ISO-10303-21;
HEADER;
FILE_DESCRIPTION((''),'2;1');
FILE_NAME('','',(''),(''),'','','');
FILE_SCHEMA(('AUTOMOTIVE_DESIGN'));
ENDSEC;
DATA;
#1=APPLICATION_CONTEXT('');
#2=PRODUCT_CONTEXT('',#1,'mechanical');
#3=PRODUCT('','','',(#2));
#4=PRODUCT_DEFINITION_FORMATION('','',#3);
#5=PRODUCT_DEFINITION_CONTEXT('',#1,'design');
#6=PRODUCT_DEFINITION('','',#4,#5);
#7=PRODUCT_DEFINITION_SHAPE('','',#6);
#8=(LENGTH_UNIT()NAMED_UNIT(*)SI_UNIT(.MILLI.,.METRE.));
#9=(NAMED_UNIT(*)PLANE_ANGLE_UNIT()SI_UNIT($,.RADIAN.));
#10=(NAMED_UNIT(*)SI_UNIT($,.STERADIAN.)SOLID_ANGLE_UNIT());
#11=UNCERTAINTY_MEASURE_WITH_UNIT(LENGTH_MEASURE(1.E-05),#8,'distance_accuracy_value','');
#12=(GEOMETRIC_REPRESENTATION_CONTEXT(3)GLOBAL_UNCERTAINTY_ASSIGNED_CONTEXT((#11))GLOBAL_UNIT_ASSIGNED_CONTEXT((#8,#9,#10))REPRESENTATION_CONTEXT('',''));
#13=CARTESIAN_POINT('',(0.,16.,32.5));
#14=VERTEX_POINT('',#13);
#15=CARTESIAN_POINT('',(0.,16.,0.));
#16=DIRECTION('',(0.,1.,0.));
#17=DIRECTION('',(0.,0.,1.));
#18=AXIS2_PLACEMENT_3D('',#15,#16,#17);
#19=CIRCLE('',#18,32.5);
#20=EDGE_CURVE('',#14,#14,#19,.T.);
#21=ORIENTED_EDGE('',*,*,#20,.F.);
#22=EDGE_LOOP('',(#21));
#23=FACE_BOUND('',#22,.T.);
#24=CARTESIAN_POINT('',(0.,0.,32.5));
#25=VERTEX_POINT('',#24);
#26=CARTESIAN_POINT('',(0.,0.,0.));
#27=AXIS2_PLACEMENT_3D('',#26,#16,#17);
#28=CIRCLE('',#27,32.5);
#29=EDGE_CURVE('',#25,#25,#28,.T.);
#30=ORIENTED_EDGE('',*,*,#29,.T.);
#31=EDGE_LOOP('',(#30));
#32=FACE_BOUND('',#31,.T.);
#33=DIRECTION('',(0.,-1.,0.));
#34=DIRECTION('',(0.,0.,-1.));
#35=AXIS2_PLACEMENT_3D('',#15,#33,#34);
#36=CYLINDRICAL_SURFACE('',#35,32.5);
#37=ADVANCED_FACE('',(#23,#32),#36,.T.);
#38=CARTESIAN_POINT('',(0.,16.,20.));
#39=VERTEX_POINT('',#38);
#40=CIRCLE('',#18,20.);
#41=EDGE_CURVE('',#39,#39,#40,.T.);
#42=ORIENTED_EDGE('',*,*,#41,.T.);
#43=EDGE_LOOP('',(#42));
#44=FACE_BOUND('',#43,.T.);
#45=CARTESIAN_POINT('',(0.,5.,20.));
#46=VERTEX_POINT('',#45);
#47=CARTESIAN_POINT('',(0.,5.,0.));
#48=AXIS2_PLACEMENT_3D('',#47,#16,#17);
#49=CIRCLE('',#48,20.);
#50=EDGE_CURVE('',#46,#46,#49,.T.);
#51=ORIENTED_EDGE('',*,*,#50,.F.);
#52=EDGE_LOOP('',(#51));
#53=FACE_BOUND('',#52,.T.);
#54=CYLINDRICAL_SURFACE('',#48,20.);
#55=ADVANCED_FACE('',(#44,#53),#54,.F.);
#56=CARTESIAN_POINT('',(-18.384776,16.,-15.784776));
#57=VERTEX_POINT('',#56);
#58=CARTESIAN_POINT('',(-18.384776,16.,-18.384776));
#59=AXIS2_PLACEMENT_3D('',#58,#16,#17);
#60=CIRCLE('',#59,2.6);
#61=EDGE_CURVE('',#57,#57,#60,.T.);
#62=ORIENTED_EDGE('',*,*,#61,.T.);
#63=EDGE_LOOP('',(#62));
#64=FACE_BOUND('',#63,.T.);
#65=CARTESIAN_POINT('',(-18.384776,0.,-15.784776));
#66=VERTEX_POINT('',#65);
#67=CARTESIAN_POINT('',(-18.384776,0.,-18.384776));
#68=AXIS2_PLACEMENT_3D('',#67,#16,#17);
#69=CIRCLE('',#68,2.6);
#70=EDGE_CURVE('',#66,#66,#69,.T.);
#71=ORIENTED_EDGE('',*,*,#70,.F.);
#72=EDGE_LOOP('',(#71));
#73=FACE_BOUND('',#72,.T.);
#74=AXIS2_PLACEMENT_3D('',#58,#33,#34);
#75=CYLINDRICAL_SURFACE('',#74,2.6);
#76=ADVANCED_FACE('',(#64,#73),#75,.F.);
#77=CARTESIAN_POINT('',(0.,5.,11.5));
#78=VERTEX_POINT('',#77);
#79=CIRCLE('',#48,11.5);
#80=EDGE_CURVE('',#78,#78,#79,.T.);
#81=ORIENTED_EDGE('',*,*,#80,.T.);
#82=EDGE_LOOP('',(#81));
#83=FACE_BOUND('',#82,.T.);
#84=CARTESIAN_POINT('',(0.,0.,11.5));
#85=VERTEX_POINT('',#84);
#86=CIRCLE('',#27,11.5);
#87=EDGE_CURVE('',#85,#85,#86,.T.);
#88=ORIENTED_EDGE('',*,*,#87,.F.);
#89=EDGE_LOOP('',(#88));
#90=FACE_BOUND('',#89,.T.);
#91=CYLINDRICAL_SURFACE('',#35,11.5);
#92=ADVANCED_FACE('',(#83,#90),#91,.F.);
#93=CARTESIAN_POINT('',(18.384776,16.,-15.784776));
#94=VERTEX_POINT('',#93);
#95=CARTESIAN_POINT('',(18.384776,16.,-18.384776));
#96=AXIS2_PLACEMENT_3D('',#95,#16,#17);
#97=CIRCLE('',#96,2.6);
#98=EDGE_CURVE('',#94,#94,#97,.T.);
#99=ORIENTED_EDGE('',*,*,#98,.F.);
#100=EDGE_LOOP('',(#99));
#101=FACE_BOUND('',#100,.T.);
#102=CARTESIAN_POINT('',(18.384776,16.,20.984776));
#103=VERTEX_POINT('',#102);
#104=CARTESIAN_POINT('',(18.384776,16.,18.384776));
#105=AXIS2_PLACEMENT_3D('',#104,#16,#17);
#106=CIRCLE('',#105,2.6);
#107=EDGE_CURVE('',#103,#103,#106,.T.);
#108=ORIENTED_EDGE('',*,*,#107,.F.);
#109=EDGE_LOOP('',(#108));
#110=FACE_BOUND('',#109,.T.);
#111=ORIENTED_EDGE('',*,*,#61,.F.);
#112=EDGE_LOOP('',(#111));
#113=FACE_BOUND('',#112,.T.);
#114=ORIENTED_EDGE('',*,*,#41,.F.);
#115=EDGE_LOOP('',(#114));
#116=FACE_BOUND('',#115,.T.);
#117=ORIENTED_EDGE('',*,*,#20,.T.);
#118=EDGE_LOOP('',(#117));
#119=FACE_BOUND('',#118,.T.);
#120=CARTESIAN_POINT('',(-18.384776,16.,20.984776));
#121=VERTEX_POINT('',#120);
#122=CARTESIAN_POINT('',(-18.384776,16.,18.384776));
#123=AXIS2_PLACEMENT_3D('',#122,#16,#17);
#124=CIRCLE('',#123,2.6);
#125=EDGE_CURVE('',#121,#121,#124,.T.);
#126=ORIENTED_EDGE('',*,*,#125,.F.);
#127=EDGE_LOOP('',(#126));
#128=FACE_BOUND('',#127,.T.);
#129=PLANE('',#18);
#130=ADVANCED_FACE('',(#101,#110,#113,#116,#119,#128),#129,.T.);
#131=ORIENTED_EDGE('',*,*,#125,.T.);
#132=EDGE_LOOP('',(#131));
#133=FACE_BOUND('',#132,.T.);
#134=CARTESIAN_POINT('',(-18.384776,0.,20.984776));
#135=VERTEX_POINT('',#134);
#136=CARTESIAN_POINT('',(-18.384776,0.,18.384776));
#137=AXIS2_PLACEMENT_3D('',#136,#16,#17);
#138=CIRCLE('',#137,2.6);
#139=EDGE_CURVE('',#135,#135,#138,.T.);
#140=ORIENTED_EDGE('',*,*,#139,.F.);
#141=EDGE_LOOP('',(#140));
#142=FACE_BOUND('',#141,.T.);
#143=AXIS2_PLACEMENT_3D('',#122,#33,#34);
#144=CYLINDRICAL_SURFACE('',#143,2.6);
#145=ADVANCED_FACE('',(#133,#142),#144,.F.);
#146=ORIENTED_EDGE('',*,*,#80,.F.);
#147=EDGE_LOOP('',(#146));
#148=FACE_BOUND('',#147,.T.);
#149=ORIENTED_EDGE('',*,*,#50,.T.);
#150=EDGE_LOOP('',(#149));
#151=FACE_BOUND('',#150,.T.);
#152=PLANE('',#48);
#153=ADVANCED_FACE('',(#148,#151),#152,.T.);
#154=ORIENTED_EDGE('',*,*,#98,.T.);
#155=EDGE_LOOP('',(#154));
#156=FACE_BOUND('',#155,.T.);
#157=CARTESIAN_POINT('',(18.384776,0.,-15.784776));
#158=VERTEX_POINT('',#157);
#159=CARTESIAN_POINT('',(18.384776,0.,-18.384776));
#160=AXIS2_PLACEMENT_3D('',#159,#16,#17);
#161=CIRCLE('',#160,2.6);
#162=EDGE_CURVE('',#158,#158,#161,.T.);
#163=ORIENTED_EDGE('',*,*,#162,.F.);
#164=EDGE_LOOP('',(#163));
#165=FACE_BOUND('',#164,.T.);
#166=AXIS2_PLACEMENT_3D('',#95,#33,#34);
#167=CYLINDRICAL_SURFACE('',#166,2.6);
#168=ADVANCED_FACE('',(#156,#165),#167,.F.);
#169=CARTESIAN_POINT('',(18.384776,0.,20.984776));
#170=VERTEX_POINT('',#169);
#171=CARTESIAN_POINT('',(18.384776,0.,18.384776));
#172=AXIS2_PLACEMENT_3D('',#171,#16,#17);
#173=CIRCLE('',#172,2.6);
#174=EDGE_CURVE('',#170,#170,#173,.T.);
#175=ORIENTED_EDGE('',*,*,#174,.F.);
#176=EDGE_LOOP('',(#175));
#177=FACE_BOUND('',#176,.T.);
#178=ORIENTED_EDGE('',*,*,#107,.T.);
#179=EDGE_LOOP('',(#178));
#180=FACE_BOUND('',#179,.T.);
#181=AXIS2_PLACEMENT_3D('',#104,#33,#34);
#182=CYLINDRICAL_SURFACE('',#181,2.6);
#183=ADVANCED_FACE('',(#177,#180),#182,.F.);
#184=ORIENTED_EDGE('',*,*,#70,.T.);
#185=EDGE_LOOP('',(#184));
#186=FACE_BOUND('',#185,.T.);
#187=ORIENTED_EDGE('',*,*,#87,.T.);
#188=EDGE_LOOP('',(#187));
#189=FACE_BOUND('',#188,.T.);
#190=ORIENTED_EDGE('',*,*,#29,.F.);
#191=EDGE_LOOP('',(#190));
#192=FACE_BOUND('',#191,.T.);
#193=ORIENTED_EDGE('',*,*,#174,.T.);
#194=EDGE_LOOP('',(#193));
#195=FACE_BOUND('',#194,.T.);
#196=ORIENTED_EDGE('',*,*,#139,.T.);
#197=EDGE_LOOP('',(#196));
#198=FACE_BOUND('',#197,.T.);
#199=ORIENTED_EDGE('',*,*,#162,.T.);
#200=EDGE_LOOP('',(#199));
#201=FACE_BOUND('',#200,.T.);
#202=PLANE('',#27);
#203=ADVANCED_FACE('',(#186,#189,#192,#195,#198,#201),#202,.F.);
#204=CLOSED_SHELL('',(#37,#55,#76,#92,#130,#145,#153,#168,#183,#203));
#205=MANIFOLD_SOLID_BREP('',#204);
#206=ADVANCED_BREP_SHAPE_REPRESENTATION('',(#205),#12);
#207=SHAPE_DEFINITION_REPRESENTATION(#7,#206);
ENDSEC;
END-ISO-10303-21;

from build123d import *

# Parameters (mm, degrees)
SKETCH1_R           = 32.5
SKETCH1_R_2         = 11.5
SKETCH1_R_3         = 2.6
BOSS_EXTRUDE1_DEPTH = 16
SKETCH2_R           = 20
CUT_EXTRUDE1_DEPTH  = 11


with BuildPart() as part:
    # Sketch1 → Boss-Extrude1 (new body)
    with BuildSketch(Plane(origin=(0, 0, 0), x_dir=(1, 0, 0), z_dir=(0, 1, 0))):
        with Locations(Location((0, 0, 0), (0, 0, 270))):
            Circle(SKETCH1_R)
        with Locations(Location((0, 0, 0), (0, 0, 270))):
            Circle(SKETCH1_R_2, mode=Mode.SUBTRACT)
        with Locations(Location((18.384776311, -18.384776311, 0), (0, 0, 270))):
            Circle(SKETCH1_R_3, mode=Mode.SUBTRACT)
        with Locations(Location((-18.384776311, -18.384776311, 0), (0, 0, 270))):
            Circle(SKETCH1_R_3, mode=Mode.SUBTRACT)
        with Locations(Location((-18.384776311, 18.384776311, 0), (0, 0, 270))):
            Circle(SKETCH1_R_3, mode=Mode.SUBTRACT)
        with Locations(Location((18.384776311, 18.384776311, 0), (0, 0, 270))):
            Circle(SKETCH1_R_3, mode=Mode.SUBTRACT)
    extrude(amount=BOSS_EXTRUDE1_DEPTH)

    # Sketch2 → Cut-Extrude1 (cut)
    with BuildSketch(Plane(origin=(0, 16, 0), x_dir=(1, 0, 0), z_dir=(0, 1, 0))):
        with Locations(Location((0, 0, 0), (0, 0, 270))):
            Circle(SKETCH2_R)
    extrude(amount=-CUT_EXTRUDE1_DEPTH, mode=Mode.SUBTRACT)


solid = part.part
